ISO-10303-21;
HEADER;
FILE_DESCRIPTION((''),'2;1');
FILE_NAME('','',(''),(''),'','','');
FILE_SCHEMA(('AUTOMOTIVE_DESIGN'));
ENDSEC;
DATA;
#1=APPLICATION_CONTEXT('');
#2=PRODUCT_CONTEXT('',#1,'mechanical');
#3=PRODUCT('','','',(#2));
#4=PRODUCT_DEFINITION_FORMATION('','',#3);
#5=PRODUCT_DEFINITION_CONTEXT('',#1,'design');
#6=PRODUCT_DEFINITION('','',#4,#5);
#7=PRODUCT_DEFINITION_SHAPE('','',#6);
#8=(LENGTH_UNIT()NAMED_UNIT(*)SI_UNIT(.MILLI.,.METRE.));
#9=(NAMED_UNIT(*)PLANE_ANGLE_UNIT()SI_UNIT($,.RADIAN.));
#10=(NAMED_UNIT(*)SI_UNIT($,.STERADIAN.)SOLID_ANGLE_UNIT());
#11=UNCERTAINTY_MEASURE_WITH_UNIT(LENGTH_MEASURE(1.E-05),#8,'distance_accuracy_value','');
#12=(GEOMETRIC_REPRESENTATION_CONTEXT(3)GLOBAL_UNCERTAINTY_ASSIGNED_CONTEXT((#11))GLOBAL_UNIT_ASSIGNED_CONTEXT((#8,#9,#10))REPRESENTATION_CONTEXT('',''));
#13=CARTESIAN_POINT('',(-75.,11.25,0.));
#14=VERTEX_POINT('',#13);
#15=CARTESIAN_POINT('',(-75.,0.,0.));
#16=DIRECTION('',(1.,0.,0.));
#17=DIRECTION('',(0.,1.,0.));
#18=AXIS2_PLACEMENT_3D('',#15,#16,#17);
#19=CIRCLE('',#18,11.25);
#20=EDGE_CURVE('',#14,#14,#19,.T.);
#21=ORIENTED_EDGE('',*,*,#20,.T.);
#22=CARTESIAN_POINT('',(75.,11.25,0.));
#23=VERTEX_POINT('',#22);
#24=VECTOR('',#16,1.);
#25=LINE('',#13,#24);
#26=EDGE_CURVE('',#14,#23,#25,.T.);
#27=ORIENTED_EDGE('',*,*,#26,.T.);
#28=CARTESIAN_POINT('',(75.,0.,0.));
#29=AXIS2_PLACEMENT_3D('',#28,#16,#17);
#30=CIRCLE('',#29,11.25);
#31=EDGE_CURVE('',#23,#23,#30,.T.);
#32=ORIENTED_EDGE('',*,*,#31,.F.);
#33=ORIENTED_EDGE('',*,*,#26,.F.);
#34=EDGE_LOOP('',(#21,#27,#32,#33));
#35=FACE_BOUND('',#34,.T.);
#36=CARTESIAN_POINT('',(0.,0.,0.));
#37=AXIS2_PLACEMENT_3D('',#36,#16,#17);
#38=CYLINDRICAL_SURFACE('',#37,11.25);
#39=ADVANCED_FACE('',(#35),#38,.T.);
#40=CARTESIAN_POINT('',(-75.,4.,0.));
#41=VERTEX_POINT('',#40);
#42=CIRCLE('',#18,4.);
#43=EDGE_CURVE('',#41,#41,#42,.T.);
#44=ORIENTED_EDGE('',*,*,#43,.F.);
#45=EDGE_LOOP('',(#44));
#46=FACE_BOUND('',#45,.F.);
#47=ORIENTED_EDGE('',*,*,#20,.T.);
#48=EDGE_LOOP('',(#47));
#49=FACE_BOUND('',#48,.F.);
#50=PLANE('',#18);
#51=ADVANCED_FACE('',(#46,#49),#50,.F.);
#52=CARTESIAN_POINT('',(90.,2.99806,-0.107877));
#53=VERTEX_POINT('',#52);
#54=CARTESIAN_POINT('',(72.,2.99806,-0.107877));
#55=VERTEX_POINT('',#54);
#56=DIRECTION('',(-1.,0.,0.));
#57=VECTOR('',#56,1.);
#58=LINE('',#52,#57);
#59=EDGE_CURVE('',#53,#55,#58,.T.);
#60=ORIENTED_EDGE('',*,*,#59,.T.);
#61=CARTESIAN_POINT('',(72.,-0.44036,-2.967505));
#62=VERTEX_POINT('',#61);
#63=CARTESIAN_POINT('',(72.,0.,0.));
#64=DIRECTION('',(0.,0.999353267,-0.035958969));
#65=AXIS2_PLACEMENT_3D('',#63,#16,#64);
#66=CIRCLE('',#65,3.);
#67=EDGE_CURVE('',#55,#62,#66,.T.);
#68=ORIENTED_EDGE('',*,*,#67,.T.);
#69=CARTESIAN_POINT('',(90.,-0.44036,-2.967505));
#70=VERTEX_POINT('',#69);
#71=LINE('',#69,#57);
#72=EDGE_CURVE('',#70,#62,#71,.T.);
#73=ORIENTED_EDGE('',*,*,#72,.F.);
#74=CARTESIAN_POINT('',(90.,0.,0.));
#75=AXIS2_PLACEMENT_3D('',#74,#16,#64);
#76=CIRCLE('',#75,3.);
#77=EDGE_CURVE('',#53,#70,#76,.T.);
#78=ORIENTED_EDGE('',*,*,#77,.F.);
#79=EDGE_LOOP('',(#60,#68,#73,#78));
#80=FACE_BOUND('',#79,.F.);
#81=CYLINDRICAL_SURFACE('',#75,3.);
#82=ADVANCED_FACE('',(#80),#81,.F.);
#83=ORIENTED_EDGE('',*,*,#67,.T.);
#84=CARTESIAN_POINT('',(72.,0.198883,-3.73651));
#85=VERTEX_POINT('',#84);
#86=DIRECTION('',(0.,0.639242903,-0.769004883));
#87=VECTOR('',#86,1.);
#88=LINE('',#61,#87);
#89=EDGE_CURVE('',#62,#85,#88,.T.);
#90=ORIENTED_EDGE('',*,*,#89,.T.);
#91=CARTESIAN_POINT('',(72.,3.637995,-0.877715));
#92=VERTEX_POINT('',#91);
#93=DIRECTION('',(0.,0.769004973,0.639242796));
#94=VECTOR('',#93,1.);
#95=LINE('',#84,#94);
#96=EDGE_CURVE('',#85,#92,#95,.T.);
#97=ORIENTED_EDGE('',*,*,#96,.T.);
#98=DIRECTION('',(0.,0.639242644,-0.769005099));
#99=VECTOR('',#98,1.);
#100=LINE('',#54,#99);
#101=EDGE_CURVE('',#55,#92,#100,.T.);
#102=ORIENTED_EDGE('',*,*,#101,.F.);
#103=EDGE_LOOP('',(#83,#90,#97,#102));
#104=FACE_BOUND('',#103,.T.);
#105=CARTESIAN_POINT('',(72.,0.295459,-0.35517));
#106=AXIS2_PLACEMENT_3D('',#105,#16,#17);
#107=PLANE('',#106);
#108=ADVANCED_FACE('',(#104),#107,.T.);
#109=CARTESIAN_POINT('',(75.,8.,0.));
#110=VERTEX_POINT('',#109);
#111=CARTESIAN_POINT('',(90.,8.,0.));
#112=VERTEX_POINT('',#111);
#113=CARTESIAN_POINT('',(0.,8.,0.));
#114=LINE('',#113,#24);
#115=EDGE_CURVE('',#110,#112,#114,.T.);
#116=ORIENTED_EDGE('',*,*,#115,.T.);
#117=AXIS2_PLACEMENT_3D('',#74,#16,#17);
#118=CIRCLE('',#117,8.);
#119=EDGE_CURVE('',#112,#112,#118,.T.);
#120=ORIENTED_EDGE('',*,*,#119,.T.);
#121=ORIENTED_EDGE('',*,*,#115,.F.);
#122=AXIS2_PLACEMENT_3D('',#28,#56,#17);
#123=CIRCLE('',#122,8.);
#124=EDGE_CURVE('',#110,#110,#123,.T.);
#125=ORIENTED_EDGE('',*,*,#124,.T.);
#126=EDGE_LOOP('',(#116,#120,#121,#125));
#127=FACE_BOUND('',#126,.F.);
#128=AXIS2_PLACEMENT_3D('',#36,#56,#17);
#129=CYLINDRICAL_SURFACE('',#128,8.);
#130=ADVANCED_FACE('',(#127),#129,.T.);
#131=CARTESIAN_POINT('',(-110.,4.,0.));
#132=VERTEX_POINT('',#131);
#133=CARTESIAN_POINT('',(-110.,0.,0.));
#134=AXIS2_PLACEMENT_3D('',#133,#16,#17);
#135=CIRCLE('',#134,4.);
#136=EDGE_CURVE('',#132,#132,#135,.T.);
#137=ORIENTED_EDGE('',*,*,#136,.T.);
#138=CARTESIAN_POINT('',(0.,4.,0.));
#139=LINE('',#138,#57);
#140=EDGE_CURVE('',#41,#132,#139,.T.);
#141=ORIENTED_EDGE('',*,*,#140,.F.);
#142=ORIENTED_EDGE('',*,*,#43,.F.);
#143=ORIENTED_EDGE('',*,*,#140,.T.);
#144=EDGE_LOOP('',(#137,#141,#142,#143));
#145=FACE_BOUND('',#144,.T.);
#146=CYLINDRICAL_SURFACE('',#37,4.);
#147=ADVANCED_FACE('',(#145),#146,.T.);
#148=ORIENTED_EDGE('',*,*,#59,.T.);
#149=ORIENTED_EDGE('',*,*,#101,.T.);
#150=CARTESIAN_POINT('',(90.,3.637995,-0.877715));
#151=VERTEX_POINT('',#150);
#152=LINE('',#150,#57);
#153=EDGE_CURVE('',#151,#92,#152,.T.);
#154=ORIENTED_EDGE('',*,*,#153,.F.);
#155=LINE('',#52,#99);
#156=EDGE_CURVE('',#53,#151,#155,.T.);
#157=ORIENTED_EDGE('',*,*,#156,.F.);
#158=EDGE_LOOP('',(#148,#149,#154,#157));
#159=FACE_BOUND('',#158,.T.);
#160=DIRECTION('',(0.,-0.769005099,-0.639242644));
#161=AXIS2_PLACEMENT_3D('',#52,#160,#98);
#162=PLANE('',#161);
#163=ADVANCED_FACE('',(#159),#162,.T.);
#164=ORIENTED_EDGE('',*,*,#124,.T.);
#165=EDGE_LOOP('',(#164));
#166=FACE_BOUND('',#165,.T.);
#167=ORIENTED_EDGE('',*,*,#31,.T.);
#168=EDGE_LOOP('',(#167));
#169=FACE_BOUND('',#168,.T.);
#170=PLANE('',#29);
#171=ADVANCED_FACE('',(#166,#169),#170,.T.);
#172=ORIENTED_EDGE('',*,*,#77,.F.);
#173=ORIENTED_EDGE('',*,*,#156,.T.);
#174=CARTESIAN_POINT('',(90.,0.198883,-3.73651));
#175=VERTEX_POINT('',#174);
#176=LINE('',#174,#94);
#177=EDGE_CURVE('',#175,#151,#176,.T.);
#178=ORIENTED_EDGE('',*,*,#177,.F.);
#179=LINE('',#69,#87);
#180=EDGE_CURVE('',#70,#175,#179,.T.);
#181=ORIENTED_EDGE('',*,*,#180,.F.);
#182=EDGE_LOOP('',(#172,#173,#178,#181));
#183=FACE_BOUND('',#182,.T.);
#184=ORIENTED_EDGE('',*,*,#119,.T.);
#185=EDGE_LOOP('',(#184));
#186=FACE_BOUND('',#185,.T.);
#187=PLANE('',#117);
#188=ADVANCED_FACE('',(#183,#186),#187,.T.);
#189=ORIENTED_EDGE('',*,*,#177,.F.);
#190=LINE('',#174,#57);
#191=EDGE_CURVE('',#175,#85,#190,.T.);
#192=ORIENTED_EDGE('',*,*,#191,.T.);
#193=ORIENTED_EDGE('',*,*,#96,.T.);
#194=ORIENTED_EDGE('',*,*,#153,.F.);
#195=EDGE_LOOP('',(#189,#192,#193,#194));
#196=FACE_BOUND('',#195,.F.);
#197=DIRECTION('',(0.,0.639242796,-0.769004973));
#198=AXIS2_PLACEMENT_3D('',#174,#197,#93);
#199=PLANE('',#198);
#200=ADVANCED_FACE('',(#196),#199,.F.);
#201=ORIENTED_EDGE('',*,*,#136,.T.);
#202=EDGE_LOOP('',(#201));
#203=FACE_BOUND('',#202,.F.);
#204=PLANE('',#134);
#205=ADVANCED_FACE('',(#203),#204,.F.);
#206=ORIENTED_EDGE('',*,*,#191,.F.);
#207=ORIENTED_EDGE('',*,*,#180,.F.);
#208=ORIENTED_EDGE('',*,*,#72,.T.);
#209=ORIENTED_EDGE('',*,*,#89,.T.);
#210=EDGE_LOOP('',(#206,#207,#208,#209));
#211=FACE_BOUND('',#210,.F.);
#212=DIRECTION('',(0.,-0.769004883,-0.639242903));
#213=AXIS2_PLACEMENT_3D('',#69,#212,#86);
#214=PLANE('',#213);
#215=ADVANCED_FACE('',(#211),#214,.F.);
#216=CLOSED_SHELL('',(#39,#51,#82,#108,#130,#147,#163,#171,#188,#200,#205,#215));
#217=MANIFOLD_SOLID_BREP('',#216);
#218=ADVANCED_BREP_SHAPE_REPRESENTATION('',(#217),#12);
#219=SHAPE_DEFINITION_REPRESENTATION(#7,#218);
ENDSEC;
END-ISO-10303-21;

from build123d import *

# Parameters (mm, degrees)
SKETCH026_R     = 4
PAD015_DEPTH    = 110
SKETCH027_R     = 11.25
PAD016_DEPTH    = 75
SKETCH029_R     = 8
PAD017_DEPTH    = 90
POCKET012_DEPTH = 18


with BuildPart() as part:
    # Sketch026 → Pad015 (new body)
    with BuildSketch(Plane.YZ):
        Circle(SKETCH026_R)
    extrude(amount=-PAD015_DEPTH)

    # Sketch027 → Pad016 (new body, symmetric)
    with BuildSketch(Plane.YZ):
        Circle(SKETCH027_R)
    extrude(amount=PAD016_DEPTH, both=True)

    # Sketch029 → Pad017 (new body)
    with BuildSketch(Plane.YZ):
        Circle(SKETCH029_R)
    extrude(amount=PAD017_DEPTH)

    # Sketch028 → Pocket012 (cut)
    with BuildSketch(Plane.YZ.offset(90)):
        with BuildLine():
            ThreePointArc((2.99806, -0.107877), (-1.918287, 2.306551), (-0.44036, -2.967505))
            Line((-0.44036, -2.967505), (0.198883, -3.73651))
            Line((0.198883, -3.73651), (3.637995, -0.877715))
            Line((2.99806, -0.107877), (3.637995, -0.877715))
        make_face()
    extrude(amount=-POCKET012_DEPTH, mode=Mode.SUBTRACT)


solid = part.part
